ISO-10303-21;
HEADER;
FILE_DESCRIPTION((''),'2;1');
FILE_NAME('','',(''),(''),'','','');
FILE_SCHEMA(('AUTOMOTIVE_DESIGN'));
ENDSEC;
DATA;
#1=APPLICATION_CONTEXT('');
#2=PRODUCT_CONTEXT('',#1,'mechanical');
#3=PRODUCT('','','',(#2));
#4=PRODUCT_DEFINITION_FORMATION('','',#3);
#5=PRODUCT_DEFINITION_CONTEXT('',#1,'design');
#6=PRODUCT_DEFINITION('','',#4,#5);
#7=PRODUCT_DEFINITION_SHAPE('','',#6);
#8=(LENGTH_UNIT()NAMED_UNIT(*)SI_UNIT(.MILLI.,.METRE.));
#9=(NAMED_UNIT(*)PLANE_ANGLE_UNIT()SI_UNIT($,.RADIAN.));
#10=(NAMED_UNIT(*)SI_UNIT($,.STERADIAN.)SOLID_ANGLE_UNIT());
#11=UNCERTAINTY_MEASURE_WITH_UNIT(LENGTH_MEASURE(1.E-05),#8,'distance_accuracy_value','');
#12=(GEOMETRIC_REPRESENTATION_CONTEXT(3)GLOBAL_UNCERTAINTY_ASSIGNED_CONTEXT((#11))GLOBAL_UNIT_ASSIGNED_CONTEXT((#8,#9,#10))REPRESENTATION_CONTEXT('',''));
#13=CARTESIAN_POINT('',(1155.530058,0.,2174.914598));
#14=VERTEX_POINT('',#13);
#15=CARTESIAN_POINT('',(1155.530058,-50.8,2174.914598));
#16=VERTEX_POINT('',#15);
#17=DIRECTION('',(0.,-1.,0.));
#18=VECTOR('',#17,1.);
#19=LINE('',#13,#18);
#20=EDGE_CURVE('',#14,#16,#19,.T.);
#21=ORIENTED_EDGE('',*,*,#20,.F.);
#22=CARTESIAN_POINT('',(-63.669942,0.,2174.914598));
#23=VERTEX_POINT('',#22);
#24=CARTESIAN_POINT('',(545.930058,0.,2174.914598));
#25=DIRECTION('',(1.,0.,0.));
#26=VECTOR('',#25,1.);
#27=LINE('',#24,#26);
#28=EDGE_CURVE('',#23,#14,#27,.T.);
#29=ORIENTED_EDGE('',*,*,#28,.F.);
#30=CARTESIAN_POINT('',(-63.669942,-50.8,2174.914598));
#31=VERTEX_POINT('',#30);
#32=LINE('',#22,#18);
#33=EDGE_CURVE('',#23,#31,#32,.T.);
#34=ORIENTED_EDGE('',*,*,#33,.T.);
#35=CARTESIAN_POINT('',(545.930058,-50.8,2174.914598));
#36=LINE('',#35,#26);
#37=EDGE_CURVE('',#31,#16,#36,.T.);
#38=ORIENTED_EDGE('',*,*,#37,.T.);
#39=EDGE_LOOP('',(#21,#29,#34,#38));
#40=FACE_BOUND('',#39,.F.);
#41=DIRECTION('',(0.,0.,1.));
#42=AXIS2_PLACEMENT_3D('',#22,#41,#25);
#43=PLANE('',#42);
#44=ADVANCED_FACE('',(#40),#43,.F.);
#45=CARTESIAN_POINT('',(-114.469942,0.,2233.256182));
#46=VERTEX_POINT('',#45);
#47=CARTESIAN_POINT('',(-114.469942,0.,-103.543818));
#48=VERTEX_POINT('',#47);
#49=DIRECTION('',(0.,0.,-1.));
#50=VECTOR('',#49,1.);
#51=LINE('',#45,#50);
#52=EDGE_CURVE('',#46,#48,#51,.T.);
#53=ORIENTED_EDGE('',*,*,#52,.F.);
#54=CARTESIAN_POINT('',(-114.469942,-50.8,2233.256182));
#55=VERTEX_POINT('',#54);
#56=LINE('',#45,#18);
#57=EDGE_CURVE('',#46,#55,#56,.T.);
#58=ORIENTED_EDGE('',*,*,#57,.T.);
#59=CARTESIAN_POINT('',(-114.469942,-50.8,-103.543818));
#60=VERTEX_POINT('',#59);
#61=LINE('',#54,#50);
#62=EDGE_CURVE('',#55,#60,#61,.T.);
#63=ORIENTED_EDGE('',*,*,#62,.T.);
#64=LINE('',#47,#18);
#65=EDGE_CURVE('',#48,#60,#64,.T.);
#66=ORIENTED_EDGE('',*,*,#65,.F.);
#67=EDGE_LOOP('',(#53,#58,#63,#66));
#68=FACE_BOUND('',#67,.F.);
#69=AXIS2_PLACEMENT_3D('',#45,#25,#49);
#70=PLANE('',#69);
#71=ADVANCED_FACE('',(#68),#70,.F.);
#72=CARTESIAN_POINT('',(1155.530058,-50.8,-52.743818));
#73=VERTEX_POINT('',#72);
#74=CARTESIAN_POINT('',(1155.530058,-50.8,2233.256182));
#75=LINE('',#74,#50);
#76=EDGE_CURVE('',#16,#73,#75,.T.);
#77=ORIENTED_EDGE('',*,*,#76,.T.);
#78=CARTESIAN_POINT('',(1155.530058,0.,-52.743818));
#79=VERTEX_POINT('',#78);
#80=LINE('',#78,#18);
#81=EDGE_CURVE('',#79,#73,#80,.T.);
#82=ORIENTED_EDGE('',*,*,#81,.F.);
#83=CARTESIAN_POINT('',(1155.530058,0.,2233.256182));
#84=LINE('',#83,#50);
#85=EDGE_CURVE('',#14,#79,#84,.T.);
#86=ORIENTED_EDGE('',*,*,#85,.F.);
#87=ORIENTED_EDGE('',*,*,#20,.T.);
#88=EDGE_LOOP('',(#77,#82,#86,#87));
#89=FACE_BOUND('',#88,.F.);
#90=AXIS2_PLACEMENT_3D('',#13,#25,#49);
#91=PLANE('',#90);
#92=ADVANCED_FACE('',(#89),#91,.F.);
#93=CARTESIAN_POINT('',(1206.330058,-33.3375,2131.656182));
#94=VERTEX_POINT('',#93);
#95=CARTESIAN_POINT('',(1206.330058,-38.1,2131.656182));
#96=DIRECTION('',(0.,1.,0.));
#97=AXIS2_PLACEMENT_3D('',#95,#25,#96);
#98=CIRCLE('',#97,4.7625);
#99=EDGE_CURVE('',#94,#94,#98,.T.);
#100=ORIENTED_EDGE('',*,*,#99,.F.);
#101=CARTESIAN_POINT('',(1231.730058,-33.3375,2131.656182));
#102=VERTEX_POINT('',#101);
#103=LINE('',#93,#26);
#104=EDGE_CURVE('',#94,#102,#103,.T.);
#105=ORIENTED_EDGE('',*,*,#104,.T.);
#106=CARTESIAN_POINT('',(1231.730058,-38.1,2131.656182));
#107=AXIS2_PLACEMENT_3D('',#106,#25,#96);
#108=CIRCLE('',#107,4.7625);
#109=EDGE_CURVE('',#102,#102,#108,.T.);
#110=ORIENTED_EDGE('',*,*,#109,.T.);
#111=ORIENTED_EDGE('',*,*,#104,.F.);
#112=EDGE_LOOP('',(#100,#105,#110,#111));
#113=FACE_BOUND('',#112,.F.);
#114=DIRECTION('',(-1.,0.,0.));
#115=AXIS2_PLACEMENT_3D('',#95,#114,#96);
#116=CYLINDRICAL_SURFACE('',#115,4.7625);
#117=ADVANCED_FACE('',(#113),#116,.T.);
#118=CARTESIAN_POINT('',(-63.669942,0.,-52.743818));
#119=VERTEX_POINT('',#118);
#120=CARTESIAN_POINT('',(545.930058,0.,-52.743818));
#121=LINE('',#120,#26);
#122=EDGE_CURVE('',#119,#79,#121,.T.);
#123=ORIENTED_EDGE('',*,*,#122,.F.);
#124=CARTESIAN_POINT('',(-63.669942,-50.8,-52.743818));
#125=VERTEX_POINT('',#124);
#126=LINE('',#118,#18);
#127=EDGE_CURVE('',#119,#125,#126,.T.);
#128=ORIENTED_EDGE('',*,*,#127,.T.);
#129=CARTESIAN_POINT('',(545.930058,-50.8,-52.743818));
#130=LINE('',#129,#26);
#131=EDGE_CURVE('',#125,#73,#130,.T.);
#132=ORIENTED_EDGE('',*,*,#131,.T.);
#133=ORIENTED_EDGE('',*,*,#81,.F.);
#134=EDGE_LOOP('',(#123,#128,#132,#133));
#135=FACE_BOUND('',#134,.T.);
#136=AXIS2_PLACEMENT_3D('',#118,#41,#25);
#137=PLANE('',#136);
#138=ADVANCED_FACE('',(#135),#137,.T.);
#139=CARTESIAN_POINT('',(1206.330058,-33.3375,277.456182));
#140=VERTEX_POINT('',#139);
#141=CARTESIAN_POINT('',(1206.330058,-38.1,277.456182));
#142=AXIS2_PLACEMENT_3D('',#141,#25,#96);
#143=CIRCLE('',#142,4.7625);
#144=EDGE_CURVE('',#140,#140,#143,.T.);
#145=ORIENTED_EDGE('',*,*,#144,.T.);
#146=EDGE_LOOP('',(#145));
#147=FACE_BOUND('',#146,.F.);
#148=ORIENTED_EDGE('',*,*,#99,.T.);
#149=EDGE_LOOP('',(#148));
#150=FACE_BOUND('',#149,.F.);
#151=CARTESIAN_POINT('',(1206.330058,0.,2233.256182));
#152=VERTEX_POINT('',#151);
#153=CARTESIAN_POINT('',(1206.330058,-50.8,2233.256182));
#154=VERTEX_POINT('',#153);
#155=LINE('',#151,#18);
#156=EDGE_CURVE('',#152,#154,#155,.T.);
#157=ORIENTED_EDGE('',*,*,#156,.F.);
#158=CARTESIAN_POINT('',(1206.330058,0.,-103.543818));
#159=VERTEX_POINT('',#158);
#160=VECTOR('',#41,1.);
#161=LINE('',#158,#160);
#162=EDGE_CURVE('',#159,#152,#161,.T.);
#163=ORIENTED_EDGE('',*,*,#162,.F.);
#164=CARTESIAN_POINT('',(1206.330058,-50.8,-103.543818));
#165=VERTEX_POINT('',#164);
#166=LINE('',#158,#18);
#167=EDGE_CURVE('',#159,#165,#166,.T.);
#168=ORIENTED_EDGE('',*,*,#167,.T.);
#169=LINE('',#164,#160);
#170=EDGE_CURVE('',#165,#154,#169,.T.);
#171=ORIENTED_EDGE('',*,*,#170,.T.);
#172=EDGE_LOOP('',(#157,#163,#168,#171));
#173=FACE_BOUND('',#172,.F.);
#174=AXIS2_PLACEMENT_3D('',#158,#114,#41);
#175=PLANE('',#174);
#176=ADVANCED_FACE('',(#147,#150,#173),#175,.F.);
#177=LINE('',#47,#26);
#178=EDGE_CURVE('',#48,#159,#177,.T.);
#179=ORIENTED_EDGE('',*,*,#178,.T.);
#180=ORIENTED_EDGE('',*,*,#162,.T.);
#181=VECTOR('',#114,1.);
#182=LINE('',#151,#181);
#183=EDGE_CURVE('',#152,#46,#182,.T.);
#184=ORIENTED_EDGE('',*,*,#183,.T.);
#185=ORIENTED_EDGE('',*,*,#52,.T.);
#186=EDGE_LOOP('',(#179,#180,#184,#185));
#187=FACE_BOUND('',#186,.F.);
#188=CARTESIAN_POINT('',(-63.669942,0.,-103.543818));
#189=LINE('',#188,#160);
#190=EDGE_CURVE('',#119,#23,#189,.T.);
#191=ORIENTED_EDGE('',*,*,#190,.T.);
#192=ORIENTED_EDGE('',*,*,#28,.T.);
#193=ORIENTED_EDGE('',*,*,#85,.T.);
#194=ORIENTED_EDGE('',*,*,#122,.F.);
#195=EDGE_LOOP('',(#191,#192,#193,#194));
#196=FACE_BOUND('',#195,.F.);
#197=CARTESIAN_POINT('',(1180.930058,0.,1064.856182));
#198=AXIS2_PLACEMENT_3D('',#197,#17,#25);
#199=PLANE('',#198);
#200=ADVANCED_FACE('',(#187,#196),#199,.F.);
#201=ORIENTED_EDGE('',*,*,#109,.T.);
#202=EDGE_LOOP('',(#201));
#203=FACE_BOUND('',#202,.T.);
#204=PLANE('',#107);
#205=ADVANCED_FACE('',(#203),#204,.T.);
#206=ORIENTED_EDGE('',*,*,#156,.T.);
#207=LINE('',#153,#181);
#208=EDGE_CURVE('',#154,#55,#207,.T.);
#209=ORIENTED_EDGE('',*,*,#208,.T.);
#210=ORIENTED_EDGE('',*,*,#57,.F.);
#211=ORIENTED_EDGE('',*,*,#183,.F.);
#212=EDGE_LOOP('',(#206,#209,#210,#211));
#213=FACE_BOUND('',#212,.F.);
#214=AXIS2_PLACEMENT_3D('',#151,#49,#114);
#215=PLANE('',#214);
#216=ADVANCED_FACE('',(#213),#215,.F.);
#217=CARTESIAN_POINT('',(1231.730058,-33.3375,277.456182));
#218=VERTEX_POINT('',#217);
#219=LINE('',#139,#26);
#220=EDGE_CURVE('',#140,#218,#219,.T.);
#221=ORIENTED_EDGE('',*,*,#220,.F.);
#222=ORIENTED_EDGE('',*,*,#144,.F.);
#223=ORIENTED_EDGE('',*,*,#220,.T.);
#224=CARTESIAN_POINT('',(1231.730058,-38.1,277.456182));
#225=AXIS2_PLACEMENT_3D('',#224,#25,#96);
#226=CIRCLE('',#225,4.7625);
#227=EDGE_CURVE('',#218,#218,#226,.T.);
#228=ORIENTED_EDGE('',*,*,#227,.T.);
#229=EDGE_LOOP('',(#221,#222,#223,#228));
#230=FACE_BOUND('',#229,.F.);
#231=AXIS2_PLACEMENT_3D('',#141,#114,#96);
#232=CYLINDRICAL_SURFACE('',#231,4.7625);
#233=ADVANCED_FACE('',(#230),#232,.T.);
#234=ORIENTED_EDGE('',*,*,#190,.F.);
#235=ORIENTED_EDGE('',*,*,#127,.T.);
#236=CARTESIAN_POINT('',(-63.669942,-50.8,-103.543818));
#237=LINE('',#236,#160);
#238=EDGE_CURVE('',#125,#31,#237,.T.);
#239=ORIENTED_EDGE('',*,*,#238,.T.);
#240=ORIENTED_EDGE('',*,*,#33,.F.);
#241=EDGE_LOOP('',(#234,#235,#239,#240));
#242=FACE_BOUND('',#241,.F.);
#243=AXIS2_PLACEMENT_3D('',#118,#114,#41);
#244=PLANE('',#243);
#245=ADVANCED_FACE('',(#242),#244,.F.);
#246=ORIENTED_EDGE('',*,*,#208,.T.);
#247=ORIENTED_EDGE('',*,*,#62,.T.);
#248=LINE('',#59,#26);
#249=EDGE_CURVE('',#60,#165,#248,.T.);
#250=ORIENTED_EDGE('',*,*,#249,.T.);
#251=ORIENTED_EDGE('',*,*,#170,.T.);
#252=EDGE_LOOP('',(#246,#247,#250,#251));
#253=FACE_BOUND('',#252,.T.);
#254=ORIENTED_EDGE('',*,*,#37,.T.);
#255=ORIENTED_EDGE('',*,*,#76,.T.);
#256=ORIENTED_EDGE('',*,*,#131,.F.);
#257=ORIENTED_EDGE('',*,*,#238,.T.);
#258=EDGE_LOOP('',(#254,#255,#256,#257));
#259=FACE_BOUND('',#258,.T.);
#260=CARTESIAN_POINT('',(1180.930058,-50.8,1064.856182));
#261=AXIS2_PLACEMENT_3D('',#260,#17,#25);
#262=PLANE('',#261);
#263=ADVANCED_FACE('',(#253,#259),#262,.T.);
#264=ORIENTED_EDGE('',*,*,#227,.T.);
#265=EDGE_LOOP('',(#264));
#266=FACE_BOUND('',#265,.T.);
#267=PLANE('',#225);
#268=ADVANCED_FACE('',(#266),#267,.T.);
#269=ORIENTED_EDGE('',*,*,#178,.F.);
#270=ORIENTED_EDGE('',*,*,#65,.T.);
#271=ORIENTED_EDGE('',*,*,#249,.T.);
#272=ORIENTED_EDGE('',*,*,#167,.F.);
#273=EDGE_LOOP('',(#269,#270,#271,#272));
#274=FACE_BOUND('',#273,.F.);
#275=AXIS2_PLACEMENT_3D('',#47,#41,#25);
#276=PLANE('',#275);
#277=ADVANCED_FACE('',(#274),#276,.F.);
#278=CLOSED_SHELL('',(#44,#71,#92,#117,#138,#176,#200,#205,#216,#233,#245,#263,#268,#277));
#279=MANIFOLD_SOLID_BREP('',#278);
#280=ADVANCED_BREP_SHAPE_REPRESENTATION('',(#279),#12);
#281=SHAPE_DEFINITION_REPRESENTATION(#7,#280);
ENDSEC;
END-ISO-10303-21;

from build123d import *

# Parameters (mm, degrees)
F0_W     = 1219.2
F0_H     = 58.341584
F0_H_2   = 50.8
F1_DEPTH = 50.8
F2_R     = 4.7625
F3_DEPTH = 25.4


with BuildPart() as f1:
    # F0 (on Front) → F1 (new body)
    with BuildSketch(Plane.XZ):
        Polygon((1206.330058, 2233.256182), (1155.530058, 2233.256182), (1155.530058, 2174.914598), (1155.530058, -52.743818), (1155.530058, -103.543818), (1206.330058, -103.543818), align=None)
        with Locations((545.930058, 2204.08539)):
            Rectangle(F0_W, F0_H)
        Polygon((-63.669942, 2233.256182), (-114.469942, 2233.256182), (-114.469942, -103.543818), (-63.669942, -103.543818), (-63.669942, -52.743818), (-63.669942, 2174.914598), align=None)
        with Locations((545.930058, -78.143818)):
            Rectangle(F0_W, F0_H_2)
    extrude(amount=F1_DEPTH)

    # F2 (on face) → F3 (join)
    with BuildSketch(Plane.YZ.offset(1206.330058)):
        with Locations((-38.1, 2131.656182)):
            Circle(F2_R)
        with Locations((-38.1, 277.456182)):
            Circle(F2_R)
    extrude(amount=F3_DEPTH)


solid = f1.part
